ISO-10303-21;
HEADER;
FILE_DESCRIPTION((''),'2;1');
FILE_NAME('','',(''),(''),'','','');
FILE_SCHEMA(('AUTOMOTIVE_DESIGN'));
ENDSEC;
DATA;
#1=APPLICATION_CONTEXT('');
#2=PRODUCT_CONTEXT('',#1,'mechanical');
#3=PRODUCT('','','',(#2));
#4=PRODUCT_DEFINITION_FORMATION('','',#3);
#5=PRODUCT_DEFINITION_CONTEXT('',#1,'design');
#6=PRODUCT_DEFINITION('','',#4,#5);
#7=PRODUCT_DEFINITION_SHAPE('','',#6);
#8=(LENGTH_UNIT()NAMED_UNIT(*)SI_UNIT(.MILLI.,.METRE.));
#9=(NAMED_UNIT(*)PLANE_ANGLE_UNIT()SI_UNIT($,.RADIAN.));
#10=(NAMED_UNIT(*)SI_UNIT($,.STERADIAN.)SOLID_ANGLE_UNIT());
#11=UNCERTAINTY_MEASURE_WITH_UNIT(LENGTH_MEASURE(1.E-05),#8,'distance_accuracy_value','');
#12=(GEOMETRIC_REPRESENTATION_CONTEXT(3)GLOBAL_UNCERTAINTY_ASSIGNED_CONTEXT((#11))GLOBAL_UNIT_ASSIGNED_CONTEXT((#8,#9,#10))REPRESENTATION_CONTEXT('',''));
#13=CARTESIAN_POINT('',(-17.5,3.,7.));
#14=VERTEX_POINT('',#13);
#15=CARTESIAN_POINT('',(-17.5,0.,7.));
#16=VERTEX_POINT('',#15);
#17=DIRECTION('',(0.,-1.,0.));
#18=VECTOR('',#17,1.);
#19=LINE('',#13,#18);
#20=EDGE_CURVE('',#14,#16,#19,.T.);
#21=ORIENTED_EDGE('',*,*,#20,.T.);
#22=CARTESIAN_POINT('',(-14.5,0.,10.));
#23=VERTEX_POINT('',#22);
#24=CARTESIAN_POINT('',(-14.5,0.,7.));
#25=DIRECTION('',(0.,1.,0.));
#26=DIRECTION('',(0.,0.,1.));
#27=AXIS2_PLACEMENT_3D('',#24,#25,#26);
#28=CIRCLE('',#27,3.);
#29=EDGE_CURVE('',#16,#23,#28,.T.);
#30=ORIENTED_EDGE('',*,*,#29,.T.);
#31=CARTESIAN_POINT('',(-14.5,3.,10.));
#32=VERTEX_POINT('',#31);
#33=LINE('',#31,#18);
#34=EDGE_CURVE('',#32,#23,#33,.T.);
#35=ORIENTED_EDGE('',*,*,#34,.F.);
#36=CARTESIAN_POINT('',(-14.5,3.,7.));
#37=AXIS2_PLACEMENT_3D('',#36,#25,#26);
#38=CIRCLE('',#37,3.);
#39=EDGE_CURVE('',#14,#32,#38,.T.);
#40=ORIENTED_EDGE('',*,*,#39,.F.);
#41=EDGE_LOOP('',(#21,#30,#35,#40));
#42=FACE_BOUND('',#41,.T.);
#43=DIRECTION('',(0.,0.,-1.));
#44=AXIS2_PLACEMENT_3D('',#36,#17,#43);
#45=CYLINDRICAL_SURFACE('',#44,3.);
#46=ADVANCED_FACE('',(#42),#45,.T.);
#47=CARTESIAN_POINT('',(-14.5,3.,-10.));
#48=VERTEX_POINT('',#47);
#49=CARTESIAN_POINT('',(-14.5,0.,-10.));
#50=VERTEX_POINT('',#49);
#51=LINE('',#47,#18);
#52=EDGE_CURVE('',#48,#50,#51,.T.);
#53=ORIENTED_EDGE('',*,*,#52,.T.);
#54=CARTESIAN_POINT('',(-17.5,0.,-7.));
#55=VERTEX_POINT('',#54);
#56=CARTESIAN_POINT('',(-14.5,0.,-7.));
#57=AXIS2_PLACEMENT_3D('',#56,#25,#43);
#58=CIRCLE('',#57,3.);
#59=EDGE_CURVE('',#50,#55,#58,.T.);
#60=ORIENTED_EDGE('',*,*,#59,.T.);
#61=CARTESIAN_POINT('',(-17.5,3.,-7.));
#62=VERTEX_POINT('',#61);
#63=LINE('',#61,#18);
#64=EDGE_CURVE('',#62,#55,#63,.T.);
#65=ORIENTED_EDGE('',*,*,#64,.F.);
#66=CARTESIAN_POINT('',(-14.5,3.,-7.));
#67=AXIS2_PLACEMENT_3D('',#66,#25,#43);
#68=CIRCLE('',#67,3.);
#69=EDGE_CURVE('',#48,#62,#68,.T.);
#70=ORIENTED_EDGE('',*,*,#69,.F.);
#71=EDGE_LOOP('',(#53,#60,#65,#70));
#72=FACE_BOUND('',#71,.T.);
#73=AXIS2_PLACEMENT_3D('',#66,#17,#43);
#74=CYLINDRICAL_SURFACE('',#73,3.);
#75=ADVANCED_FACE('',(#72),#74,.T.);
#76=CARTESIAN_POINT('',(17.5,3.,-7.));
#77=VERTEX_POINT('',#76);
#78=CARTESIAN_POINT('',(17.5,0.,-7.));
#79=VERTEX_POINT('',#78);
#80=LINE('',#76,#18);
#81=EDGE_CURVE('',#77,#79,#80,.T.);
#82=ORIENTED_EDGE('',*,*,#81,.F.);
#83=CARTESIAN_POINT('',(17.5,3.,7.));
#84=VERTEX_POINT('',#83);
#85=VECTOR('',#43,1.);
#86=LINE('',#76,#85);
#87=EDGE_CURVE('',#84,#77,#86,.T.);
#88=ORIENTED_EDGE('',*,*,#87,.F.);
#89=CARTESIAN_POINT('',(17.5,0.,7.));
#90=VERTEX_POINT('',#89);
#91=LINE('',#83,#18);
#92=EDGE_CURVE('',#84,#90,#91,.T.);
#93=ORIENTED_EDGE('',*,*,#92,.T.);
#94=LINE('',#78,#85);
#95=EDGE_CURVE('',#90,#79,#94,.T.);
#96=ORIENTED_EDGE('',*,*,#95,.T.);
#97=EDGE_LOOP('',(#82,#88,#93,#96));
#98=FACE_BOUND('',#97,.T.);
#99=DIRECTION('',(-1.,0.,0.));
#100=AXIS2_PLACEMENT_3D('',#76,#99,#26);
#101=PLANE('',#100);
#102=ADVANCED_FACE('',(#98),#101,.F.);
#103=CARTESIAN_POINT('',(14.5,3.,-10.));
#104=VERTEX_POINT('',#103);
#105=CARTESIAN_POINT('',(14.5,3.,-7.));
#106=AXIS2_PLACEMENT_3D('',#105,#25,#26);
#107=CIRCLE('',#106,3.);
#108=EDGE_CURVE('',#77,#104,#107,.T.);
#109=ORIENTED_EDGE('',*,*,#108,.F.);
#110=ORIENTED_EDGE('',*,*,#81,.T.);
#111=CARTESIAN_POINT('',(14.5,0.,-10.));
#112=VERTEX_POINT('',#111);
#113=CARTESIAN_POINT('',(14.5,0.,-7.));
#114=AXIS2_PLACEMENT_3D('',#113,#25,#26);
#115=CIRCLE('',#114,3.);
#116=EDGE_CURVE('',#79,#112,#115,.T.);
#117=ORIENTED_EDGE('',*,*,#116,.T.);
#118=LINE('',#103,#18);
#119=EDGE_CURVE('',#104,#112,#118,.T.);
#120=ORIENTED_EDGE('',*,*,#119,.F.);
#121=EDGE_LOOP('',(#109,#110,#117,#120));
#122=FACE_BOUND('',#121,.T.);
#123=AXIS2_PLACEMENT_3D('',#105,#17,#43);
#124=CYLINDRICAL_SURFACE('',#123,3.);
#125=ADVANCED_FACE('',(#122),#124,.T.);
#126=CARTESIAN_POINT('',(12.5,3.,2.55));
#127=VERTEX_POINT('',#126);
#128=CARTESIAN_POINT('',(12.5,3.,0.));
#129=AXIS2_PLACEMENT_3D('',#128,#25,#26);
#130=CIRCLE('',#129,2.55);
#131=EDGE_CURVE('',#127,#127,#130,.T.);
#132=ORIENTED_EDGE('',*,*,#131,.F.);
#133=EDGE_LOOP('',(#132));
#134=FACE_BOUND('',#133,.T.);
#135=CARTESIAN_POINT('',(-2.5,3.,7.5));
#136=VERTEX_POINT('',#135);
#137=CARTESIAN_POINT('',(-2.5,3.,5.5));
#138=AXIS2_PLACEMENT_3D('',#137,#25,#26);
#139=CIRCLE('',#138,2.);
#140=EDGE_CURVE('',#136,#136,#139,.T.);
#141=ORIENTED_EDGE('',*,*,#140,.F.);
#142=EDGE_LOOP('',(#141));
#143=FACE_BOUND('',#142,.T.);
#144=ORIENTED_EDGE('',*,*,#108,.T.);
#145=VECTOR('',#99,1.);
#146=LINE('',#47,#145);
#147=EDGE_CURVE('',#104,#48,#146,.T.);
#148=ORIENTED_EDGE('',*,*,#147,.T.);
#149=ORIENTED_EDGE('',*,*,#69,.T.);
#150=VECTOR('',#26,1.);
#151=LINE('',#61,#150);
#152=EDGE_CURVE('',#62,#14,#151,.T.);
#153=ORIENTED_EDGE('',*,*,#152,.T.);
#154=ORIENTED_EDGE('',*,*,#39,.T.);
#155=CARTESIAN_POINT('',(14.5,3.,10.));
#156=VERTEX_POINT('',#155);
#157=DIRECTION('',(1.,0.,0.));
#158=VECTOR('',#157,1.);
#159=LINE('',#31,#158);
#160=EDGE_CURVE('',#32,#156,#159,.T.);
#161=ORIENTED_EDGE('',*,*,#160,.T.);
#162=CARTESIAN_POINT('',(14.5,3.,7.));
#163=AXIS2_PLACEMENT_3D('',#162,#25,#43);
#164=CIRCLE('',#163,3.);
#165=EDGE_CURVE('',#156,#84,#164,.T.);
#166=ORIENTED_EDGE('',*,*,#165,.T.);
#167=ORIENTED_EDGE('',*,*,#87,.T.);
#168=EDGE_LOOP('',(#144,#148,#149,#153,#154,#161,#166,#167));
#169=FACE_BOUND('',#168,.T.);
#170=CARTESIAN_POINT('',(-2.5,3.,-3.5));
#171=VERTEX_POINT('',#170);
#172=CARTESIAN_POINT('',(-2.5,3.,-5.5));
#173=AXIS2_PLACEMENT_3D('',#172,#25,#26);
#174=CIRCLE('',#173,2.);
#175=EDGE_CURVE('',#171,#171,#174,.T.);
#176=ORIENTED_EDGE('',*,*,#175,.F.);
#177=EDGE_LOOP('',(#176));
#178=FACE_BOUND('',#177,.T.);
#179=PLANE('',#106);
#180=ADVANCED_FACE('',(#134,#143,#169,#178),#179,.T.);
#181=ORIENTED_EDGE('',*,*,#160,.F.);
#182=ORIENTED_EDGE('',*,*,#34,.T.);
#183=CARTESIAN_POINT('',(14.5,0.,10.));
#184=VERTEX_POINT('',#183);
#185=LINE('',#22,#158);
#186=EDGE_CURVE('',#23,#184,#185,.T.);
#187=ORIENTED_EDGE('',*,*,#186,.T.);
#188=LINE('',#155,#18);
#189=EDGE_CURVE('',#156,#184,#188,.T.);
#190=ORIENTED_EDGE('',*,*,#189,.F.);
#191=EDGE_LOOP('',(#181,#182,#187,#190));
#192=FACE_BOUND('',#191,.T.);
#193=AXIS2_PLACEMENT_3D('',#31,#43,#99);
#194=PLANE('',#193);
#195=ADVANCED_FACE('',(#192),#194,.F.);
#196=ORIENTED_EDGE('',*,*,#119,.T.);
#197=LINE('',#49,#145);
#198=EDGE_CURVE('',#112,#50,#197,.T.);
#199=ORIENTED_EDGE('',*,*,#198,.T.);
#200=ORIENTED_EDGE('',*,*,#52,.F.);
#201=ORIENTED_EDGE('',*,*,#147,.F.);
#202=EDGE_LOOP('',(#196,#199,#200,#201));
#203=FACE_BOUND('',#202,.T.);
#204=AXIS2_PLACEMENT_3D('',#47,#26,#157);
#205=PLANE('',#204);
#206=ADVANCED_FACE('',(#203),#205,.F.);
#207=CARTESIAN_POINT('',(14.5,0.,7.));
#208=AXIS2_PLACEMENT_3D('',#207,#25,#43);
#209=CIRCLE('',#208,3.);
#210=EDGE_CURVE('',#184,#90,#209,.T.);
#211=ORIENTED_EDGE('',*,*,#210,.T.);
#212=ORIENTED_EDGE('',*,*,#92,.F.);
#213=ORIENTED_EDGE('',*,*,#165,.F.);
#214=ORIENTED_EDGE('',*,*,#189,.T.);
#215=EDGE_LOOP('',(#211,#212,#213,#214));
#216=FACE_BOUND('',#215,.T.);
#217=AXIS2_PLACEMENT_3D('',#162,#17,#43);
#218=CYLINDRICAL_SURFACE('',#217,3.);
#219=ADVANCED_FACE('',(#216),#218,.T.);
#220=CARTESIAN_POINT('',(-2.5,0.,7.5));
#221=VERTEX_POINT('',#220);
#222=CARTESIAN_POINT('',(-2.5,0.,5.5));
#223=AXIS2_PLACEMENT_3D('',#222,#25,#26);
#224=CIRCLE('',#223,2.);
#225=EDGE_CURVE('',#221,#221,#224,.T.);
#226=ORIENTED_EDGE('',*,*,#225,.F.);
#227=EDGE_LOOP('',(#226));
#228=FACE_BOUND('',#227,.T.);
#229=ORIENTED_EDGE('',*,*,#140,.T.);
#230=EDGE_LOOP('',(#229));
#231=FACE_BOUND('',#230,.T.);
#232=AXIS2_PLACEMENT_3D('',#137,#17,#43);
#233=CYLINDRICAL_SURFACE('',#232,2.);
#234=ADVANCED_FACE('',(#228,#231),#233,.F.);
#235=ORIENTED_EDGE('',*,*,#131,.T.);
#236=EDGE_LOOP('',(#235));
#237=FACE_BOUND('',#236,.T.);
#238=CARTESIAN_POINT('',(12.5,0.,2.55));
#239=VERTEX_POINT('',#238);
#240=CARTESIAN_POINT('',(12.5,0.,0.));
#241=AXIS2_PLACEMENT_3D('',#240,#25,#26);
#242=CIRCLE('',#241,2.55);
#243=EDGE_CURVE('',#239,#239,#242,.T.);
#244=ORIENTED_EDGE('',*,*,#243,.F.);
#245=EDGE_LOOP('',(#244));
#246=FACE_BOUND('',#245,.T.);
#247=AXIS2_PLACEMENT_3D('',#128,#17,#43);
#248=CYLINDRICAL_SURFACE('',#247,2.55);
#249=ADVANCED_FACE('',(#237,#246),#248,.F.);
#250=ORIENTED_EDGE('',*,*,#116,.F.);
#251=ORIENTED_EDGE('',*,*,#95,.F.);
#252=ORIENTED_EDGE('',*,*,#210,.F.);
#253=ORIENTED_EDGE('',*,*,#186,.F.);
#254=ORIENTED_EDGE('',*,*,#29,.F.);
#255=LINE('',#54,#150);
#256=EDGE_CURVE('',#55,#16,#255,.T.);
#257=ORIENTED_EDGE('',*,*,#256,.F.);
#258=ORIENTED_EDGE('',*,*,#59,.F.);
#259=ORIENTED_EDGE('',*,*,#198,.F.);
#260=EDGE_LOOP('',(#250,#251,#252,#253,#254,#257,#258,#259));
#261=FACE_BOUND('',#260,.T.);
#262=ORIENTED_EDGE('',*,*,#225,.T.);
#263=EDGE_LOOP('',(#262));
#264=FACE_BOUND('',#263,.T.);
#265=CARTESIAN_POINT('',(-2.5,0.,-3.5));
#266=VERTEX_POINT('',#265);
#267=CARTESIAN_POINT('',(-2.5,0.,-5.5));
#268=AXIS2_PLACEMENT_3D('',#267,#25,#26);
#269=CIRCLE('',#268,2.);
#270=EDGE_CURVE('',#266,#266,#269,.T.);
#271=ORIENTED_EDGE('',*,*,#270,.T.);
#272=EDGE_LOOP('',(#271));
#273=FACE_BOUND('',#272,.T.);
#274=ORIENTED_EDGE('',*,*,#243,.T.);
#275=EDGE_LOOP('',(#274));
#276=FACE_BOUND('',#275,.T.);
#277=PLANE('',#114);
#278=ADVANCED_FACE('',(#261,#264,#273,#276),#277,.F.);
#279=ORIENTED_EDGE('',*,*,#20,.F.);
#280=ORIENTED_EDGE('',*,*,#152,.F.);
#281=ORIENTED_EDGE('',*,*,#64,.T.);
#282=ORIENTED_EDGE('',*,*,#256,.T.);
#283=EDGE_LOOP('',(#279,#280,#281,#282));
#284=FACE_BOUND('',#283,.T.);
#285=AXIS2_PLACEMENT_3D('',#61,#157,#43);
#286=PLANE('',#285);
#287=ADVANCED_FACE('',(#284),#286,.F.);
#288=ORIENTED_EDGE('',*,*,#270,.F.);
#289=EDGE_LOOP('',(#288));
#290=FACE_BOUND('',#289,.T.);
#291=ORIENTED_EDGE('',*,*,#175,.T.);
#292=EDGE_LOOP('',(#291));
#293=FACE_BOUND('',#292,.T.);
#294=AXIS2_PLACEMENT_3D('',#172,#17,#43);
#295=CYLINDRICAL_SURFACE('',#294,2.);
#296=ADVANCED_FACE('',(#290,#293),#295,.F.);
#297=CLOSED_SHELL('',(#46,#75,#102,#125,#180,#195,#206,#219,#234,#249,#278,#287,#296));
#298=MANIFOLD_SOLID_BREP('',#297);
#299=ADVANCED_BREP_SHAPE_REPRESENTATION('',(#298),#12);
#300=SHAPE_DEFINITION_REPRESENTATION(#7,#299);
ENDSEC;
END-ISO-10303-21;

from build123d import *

# Parameters (mm, degrees)
SKETCH1_R           = 2.55
SKETCH1_R_2         = 2
BOSS_EXTRUDE1_DEPTH = 3


with BuildPart() as part:
    # Sketch1 → Boss-Extrude1 (new body)
    with BuildSketch(Plane(origin=(0, 0, 0), x_dir=(1, 0, 0), z_dir=(0, 1, 0))):
        with BuildLine():
            Line((-14.5, 10), (14.5, 10))
            ThreePointArc((14.5, 10), (16.621320344, 9.121320344), (17.5, 7))
            Line((17.5, 7), (17.5, -7))
            ThreePointArc((17.5, -7), (16.621320344, -9.121320344), (14.5, -10))
            Line((14.5, -10), (-14.5, -10))
            ThreePointArc((-14.5, -10), (-16.621320344, -9.121320344), (-17.5, -7))
            Line((-17.5, -7), (-17.5, 7))
            ThreePointArc((-17.5, 7), (-16.621320344, 9.121320344), (-14.5, 10))
        make_face()
        with Locations((12.5, 0)):
            Circle(SKETCH1_R, mode=Mode.SUBTRACT)
        with Locations((-2.5, 5.5)):
            Circle(SKETCH1_R_2, mode=Mode.SUBTRACT)
        with Locations((-2.5, -5.5)):
            Circle(SKETCH1_R_2, mode=Mode.SUBTRACT)
    extrude(amount=BOSS_EXTRUDE1_DEPTH)


solid = part.part
